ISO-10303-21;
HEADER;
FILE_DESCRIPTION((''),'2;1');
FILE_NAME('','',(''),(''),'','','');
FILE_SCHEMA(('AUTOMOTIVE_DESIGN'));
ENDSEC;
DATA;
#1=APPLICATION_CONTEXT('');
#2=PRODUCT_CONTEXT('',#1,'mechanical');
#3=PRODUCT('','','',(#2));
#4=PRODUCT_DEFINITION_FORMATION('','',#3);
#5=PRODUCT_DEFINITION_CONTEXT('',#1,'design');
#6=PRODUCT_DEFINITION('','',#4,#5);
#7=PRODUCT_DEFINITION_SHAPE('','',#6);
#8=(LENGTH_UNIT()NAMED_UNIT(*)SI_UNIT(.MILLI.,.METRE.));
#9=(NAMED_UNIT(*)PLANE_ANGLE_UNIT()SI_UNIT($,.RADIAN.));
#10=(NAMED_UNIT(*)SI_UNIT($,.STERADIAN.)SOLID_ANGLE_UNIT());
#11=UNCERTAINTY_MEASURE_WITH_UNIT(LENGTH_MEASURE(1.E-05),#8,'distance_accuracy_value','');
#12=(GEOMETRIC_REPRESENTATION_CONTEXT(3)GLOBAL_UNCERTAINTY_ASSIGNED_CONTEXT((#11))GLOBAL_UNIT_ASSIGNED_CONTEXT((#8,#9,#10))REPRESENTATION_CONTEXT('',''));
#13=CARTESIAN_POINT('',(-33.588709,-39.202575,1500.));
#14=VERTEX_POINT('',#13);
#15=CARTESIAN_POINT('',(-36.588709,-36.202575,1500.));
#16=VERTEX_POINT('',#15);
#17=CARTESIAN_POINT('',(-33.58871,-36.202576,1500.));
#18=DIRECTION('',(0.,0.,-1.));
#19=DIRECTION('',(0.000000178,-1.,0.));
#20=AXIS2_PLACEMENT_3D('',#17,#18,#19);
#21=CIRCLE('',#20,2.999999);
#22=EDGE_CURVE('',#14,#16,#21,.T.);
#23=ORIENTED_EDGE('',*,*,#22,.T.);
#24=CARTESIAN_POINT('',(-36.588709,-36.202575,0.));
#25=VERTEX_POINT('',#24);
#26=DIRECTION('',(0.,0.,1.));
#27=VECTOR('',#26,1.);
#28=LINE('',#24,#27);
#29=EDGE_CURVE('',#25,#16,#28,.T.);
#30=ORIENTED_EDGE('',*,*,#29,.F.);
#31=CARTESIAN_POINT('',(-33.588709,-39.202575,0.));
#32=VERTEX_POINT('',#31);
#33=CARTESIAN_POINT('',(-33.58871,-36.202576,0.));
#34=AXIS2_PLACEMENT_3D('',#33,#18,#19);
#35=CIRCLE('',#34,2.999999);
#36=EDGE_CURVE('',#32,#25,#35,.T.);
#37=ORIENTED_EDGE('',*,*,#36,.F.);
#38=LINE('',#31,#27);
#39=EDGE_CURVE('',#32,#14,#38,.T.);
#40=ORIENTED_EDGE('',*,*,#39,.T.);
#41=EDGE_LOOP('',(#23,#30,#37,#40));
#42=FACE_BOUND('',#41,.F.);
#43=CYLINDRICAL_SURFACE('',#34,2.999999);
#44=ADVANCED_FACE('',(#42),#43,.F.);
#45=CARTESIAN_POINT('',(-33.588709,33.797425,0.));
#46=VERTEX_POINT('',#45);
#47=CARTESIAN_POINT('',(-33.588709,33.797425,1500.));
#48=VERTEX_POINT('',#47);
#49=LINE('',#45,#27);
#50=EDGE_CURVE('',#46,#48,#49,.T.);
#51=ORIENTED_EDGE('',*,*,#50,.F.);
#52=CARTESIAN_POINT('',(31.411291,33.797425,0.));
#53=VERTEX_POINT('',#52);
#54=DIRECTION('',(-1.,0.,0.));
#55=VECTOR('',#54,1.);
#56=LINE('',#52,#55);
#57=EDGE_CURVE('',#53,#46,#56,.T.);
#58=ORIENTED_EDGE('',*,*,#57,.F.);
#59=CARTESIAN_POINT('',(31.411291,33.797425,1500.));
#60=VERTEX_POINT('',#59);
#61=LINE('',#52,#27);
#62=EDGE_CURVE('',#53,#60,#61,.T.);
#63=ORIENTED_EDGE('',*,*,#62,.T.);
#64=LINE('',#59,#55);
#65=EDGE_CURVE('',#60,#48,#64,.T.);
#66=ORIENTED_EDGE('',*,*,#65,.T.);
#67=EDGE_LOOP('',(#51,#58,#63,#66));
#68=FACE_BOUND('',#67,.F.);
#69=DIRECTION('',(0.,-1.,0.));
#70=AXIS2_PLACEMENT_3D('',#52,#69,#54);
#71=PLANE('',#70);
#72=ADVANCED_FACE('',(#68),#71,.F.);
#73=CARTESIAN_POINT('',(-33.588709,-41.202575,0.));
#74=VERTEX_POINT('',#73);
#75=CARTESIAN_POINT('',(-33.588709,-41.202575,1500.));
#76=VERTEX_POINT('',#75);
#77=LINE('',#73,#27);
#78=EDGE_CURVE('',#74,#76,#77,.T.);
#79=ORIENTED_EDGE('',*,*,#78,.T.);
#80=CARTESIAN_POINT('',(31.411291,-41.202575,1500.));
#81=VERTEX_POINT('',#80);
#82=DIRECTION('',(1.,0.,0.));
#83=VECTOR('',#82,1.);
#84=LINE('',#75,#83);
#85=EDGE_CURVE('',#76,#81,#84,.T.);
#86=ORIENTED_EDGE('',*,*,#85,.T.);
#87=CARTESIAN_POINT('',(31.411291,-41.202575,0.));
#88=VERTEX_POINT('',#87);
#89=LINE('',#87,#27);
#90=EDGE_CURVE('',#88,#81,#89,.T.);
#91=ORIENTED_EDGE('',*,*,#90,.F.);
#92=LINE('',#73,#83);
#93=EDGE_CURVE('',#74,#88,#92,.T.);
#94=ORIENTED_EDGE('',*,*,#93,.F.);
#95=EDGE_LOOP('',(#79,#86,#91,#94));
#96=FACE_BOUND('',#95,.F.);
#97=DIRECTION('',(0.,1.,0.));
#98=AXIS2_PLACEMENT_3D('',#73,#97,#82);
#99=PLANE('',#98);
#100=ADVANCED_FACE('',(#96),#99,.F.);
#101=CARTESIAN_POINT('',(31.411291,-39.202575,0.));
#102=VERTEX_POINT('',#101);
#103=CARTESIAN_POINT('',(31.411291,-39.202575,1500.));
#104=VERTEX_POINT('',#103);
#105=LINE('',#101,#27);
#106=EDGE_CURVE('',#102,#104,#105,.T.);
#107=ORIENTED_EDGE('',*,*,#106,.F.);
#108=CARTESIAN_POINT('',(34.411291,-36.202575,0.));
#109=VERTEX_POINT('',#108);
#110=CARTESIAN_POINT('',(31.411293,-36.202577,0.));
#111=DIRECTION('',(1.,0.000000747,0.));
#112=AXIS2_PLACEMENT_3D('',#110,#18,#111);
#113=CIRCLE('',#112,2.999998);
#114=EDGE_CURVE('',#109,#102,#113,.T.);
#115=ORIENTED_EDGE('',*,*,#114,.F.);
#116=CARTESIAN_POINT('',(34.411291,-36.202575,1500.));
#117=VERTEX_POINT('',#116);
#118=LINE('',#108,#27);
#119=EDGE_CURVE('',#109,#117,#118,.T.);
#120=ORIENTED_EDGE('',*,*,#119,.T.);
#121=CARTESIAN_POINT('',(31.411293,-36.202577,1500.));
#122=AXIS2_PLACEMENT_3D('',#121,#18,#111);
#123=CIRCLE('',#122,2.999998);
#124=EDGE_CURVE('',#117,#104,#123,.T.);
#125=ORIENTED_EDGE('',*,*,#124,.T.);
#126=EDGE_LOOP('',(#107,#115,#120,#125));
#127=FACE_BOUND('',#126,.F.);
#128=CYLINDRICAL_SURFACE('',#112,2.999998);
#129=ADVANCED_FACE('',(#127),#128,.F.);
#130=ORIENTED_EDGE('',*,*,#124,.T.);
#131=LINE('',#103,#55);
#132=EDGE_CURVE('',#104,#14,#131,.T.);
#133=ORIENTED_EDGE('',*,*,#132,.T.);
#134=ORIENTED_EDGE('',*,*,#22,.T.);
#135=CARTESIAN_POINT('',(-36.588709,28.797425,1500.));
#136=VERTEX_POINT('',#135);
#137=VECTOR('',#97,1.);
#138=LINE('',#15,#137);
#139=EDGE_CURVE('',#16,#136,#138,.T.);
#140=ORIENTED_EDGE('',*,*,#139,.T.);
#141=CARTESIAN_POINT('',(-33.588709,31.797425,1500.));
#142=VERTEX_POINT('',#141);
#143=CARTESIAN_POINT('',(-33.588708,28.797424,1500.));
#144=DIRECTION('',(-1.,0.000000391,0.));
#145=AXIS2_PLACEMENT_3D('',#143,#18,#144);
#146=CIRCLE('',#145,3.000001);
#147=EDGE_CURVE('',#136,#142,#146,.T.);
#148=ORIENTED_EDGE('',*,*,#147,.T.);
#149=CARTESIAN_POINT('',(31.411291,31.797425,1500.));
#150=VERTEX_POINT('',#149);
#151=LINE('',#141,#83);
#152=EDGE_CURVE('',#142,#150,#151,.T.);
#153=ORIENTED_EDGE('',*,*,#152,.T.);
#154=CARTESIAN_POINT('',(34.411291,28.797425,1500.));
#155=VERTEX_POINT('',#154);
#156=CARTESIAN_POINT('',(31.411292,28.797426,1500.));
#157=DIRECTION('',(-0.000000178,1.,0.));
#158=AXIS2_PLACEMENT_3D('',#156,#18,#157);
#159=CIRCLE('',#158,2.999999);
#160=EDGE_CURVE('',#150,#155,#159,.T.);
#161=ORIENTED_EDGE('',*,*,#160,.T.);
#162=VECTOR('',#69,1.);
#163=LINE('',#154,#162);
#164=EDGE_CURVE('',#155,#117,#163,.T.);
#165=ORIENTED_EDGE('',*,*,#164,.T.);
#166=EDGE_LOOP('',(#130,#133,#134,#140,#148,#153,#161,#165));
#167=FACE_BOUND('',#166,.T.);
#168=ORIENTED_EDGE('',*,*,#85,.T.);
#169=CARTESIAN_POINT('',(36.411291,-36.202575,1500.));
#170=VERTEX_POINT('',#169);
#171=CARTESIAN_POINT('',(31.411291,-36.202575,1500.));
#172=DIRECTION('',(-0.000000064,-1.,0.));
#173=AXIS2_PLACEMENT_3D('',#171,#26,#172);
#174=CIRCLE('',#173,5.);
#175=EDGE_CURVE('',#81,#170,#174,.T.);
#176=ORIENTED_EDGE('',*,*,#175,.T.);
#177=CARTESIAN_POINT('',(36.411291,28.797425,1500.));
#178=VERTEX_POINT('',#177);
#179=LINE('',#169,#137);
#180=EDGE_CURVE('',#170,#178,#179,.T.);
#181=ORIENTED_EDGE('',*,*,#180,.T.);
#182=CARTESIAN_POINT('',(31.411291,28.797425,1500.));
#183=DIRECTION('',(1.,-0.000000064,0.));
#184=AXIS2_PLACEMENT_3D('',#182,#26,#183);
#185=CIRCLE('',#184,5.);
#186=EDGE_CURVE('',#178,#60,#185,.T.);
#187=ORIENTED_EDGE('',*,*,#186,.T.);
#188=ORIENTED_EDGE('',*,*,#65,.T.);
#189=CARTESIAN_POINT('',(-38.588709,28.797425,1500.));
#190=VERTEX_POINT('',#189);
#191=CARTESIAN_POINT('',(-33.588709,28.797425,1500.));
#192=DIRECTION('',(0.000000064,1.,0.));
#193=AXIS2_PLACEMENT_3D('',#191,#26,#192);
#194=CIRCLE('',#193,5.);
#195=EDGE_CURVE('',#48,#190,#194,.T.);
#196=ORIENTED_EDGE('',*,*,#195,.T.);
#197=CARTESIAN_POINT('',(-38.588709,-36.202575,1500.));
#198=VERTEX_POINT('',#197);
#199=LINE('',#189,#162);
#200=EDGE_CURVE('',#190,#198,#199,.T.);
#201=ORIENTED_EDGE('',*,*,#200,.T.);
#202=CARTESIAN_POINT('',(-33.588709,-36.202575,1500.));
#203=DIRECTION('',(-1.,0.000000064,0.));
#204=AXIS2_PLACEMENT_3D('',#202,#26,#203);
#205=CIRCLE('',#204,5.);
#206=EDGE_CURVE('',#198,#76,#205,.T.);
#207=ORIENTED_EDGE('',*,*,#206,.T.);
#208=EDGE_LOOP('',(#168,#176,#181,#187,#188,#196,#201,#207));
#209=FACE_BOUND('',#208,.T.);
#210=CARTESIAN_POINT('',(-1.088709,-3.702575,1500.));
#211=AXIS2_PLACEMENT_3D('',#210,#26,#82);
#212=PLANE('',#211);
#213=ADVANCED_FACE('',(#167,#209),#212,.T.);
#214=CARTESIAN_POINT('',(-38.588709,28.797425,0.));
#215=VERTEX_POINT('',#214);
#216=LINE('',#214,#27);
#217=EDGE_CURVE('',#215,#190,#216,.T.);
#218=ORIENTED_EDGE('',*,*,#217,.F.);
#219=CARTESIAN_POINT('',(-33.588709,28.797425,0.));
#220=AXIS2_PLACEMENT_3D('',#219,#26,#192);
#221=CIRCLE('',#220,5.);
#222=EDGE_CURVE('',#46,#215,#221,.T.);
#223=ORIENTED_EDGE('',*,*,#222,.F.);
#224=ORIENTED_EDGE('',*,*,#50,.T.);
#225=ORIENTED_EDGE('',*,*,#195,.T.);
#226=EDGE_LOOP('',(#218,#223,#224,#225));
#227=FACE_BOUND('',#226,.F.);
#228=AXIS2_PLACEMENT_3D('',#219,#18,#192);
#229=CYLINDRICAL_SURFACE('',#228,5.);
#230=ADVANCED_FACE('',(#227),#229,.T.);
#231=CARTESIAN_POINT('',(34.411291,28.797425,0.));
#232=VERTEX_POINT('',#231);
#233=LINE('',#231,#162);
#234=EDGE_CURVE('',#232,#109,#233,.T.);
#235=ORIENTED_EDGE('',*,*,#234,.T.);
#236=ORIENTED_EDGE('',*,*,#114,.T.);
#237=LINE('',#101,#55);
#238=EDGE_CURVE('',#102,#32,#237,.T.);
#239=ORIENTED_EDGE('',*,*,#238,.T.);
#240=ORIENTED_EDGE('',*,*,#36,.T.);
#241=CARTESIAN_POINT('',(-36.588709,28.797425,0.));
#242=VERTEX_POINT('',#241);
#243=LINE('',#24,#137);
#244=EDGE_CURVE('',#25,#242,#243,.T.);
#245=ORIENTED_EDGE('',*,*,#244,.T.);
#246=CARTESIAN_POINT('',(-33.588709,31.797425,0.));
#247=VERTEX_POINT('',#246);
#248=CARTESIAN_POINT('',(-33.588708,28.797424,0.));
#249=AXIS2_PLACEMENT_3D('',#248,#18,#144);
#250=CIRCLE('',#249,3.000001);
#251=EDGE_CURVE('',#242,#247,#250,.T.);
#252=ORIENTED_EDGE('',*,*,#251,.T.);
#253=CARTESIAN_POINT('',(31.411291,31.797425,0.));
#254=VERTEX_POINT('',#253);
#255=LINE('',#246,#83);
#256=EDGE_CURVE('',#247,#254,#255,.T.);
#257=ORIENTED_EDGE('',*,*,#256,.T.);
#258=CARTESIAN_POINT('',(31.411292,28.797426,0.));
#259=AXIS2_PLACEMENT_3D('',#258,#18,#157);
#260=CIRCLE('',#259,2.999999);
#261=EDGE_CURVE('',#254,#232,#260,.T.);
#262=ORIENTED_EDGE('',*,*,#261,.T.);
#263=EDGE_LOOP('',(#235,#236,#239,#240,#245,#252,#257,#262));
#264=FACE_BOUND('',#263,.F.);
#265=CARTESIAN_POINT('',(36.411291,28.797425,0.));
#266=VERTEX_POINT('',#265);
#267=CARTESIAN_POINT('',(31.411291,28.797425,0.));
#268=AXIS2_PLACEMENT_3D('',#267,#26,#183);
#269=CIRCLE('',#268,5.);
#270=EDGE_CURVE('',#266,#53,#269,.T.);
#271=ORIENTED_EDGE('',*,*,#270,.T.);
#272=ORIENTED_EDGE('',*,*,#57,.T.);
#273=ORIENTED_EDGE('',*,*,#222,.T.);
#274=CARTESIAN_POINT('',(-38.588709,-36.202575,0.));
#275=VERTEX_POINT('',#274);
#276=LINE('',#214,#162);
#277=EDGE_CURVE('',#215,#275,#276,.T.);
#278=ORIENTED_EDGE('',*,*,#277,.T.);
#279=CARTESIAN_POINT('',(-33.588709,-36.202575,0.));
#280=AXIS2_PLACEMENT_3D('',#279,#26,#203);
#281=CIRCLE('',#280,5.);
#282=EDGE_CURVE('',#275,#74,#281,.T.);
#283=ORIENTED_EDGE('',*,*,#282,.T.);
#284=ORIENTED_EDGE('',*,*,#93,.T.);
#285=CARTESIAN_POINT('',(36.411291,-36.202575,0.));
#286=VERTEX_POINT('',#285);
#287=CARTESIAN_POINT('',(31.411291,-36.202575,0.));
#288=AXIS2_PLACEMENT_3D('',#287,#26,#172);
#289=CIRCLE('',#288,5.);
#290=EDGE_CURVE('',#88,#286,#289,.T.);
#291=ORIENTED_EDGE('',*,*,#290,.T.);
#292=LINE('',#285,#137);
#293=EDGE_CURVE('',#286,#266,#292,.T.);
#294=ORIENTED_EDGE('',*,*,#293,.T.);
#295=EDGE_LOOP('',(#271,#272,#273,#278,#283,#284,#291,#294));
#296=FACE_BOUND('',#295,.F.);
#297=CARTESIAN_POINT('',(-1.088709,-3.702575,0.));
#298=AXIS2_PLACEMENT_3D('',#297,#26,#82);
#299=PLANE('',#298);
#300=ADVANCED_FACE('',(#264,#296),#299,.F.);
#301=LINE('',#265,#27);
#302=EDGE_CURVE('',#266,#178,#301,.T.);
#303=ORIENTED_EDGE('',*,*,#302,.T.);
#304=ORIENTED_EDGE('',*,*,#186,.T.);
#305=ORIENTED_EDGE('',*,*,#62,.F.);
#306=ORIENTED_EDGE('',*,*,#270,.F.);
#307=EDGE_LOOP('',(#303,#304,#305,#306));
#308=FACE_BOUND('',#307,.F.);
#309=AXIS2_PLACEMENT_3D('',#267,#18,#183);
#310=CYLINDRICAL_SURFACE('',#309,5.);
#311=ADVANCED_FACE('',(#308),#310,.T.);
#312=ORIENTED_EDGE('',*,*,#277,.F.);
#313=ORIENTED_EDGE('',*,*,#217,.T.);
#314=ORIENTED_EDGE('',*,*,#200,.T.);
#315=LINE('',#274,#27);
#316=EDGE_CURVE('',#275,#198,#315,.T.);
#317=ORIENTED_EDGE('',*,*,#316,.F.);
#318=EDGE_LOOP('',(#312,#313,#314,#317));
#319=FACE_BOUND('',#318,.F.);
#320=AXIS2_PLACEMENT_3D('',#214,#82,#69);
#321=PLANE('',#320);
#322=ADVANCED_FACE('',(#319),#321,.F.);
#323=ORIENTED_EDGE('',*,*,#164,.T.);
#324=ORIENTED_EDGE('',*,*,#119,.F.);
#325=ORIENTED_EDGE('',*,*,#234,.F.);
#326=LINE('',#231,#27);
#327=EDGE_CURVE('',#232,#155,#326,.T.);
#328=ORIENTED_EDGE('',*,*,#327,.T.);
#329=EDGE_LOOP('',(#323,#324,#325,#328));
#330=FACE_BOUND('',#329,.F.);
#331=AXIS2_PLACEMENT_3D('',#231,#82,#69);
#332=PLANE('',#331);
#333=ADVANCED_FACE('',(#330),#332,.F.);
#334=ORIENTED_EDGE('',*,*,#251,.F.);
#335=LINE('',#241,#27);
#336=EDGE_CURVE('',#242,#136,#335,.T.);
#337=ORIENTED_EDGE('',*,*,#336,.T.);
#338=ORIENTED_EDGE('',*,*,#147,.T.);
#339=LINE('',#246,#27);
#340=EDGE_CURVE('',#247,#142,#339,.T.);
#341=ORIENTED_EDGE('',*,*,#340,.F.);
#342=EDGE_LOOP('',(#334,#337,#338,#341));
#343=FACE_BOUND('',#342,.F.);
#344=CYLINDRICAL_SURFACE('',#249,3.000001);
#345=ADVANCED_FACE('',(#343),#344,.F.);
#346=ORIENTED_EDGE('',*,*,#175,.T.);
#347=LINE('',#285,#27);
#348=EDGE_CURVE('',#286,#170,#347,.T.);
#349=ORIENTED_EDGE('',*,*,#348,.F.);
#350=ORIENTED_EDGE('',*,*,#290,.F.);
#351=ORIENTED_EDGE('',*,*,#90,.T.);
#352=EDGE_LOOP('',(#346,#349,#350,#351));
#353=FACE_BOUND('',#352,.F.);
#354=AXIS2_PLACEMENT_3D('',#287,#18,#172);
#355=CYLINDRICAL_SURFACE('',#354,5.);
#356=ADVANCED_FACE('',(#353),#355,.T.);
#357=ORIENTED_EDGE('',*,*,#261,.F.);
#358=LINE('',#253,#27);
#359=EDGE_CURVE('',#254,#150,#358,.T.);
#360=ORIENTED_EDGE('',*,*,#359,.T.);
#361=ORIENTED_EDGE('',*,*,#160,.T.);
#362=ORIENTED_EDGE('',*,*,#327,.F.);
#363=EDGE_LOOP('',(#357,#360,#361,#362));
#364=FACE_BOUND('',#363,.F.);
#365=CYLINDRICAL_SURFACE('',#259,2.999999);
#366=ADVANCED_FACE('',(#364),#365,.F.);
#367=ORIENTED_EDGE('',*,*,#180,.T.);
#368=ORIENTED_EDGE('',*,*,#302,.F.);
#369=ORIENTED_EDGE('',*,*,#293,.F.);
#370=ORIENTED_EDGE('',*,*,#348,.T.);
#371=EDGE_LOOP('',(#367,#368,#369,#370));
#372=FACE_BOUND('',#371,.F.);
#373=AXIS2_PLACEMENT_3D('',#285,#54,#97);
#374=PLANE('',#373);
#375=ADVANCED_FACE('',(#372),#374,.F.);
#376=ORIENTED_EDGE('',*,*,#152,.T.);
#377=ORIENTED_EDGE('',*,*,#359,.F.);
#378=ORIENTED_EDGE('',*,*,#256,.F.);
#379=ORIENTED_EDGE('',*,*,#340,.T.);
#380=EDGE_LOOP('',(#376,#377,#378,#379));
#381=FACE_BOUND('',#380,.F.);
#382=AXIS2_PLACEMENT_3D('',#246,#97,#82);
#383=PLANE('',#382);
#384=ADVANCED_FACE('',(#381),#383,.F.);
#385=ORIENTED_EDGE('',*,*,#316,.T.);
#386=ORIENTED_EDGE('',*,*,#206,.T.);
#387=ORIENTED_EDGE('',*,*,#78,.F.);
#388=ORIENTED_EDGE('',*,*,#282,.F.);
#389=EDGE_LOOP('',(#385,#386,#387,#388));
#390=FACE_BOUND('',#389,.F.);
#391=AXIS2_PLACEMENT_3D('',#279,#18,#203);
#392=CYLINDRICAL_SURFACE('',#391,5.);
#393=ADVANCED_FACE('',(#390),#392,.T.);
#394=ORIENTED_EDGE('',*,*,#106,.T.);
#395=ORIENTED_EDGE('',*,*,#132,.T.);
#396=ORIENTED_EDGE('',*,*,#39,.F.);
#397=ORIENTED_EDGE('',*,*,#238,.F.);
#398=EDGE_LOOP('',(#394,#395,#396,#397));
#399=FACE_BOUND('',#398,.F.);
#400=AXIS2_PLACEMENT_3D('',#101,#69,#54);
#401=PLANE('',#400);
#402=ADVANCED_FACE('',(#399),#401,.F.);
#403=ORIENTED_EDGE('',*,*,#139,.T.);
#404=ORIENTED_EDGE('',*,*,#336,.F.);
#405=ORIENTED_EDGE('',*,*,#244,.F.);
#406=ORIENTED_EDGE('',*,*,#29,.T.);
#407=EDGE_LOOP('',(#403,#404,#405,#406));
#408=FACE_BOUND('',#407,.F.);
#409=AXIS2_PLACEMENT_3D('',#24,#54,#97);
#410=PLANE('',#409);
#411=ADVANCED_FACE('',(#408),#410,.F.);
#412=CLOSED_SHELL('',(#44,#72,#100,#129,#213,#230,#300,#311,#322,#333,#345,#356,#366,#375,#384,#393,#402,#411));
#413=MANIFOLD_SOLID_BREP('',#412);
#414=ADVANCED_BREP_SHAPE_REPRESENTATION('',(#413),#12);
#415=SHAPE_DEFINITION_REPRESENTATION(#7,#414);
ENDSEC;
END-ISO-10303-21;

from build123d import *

# Parameters (mm, degrees)
F1_DEPTH = 1500


with BuildPart() as f1:
    # F0 (on Top) → F1 (new body)
    with BuildSketch(Plane.XY):
        with BuildLine():
            Line((31.411291, 33.797425), (-33.588709, 33.797425))
            ThreePointArc((-33.588709, 33.797425), (-37.124243, 32.332959), (-38.588709, 28.797425))
            Line((-38.588709, 28.797425), (-38.588709, -36.202575))
            ThreePointArc((-38.588709, -36.202575), (-37.124243, -39.738109), (-33.588709, -41.202575))
            Line((-33.588709, -41.202575), (31.411291, -41.202575))
            ThreePointArc((31.411291, -41.202575), (34.946825, -39.738109), (36.411291, -36.202575))
            Line((36.411291, -36.202575), (36.411291, 28.797425))
            ThreePointArc((36.411291, 28.797425), (34.946825, 32.332959), (31.411291, 33.797425))
        make_face()
        with BuildLine():
            Line((31.411291, -39.202575), (-33.588709, -39.202575))
            ThreePointArc((-33.588709, -39.202575), (-35.710029, -38.323896), (-36.588709, -36.202575))
            Line((-36.588709, -36.202575), (-36.588709, 28.797425))
            ThreePointArc((-36.588709, 28.797425), (-35.710029, 30.918745), (-33.588709, 31.797425))
            Line((-33.588709, 31.797425), (31.411291, 31.797425))
            ThreePointArc((31.411291, 31.797425), (33.532612, 30.918745), (34.411291, 28.797425))
            Line((34.411291, 28.797425), (34.411291, -36.202575))
            ThreePointArc((34.411291, -36.202575), (33.532612, -38.323896), (31.411291, -39.202575))
        make_face(mode=Mode.SUBTRACT)
    extrude(amount=F1_DEPTH)


solid = f1.part
